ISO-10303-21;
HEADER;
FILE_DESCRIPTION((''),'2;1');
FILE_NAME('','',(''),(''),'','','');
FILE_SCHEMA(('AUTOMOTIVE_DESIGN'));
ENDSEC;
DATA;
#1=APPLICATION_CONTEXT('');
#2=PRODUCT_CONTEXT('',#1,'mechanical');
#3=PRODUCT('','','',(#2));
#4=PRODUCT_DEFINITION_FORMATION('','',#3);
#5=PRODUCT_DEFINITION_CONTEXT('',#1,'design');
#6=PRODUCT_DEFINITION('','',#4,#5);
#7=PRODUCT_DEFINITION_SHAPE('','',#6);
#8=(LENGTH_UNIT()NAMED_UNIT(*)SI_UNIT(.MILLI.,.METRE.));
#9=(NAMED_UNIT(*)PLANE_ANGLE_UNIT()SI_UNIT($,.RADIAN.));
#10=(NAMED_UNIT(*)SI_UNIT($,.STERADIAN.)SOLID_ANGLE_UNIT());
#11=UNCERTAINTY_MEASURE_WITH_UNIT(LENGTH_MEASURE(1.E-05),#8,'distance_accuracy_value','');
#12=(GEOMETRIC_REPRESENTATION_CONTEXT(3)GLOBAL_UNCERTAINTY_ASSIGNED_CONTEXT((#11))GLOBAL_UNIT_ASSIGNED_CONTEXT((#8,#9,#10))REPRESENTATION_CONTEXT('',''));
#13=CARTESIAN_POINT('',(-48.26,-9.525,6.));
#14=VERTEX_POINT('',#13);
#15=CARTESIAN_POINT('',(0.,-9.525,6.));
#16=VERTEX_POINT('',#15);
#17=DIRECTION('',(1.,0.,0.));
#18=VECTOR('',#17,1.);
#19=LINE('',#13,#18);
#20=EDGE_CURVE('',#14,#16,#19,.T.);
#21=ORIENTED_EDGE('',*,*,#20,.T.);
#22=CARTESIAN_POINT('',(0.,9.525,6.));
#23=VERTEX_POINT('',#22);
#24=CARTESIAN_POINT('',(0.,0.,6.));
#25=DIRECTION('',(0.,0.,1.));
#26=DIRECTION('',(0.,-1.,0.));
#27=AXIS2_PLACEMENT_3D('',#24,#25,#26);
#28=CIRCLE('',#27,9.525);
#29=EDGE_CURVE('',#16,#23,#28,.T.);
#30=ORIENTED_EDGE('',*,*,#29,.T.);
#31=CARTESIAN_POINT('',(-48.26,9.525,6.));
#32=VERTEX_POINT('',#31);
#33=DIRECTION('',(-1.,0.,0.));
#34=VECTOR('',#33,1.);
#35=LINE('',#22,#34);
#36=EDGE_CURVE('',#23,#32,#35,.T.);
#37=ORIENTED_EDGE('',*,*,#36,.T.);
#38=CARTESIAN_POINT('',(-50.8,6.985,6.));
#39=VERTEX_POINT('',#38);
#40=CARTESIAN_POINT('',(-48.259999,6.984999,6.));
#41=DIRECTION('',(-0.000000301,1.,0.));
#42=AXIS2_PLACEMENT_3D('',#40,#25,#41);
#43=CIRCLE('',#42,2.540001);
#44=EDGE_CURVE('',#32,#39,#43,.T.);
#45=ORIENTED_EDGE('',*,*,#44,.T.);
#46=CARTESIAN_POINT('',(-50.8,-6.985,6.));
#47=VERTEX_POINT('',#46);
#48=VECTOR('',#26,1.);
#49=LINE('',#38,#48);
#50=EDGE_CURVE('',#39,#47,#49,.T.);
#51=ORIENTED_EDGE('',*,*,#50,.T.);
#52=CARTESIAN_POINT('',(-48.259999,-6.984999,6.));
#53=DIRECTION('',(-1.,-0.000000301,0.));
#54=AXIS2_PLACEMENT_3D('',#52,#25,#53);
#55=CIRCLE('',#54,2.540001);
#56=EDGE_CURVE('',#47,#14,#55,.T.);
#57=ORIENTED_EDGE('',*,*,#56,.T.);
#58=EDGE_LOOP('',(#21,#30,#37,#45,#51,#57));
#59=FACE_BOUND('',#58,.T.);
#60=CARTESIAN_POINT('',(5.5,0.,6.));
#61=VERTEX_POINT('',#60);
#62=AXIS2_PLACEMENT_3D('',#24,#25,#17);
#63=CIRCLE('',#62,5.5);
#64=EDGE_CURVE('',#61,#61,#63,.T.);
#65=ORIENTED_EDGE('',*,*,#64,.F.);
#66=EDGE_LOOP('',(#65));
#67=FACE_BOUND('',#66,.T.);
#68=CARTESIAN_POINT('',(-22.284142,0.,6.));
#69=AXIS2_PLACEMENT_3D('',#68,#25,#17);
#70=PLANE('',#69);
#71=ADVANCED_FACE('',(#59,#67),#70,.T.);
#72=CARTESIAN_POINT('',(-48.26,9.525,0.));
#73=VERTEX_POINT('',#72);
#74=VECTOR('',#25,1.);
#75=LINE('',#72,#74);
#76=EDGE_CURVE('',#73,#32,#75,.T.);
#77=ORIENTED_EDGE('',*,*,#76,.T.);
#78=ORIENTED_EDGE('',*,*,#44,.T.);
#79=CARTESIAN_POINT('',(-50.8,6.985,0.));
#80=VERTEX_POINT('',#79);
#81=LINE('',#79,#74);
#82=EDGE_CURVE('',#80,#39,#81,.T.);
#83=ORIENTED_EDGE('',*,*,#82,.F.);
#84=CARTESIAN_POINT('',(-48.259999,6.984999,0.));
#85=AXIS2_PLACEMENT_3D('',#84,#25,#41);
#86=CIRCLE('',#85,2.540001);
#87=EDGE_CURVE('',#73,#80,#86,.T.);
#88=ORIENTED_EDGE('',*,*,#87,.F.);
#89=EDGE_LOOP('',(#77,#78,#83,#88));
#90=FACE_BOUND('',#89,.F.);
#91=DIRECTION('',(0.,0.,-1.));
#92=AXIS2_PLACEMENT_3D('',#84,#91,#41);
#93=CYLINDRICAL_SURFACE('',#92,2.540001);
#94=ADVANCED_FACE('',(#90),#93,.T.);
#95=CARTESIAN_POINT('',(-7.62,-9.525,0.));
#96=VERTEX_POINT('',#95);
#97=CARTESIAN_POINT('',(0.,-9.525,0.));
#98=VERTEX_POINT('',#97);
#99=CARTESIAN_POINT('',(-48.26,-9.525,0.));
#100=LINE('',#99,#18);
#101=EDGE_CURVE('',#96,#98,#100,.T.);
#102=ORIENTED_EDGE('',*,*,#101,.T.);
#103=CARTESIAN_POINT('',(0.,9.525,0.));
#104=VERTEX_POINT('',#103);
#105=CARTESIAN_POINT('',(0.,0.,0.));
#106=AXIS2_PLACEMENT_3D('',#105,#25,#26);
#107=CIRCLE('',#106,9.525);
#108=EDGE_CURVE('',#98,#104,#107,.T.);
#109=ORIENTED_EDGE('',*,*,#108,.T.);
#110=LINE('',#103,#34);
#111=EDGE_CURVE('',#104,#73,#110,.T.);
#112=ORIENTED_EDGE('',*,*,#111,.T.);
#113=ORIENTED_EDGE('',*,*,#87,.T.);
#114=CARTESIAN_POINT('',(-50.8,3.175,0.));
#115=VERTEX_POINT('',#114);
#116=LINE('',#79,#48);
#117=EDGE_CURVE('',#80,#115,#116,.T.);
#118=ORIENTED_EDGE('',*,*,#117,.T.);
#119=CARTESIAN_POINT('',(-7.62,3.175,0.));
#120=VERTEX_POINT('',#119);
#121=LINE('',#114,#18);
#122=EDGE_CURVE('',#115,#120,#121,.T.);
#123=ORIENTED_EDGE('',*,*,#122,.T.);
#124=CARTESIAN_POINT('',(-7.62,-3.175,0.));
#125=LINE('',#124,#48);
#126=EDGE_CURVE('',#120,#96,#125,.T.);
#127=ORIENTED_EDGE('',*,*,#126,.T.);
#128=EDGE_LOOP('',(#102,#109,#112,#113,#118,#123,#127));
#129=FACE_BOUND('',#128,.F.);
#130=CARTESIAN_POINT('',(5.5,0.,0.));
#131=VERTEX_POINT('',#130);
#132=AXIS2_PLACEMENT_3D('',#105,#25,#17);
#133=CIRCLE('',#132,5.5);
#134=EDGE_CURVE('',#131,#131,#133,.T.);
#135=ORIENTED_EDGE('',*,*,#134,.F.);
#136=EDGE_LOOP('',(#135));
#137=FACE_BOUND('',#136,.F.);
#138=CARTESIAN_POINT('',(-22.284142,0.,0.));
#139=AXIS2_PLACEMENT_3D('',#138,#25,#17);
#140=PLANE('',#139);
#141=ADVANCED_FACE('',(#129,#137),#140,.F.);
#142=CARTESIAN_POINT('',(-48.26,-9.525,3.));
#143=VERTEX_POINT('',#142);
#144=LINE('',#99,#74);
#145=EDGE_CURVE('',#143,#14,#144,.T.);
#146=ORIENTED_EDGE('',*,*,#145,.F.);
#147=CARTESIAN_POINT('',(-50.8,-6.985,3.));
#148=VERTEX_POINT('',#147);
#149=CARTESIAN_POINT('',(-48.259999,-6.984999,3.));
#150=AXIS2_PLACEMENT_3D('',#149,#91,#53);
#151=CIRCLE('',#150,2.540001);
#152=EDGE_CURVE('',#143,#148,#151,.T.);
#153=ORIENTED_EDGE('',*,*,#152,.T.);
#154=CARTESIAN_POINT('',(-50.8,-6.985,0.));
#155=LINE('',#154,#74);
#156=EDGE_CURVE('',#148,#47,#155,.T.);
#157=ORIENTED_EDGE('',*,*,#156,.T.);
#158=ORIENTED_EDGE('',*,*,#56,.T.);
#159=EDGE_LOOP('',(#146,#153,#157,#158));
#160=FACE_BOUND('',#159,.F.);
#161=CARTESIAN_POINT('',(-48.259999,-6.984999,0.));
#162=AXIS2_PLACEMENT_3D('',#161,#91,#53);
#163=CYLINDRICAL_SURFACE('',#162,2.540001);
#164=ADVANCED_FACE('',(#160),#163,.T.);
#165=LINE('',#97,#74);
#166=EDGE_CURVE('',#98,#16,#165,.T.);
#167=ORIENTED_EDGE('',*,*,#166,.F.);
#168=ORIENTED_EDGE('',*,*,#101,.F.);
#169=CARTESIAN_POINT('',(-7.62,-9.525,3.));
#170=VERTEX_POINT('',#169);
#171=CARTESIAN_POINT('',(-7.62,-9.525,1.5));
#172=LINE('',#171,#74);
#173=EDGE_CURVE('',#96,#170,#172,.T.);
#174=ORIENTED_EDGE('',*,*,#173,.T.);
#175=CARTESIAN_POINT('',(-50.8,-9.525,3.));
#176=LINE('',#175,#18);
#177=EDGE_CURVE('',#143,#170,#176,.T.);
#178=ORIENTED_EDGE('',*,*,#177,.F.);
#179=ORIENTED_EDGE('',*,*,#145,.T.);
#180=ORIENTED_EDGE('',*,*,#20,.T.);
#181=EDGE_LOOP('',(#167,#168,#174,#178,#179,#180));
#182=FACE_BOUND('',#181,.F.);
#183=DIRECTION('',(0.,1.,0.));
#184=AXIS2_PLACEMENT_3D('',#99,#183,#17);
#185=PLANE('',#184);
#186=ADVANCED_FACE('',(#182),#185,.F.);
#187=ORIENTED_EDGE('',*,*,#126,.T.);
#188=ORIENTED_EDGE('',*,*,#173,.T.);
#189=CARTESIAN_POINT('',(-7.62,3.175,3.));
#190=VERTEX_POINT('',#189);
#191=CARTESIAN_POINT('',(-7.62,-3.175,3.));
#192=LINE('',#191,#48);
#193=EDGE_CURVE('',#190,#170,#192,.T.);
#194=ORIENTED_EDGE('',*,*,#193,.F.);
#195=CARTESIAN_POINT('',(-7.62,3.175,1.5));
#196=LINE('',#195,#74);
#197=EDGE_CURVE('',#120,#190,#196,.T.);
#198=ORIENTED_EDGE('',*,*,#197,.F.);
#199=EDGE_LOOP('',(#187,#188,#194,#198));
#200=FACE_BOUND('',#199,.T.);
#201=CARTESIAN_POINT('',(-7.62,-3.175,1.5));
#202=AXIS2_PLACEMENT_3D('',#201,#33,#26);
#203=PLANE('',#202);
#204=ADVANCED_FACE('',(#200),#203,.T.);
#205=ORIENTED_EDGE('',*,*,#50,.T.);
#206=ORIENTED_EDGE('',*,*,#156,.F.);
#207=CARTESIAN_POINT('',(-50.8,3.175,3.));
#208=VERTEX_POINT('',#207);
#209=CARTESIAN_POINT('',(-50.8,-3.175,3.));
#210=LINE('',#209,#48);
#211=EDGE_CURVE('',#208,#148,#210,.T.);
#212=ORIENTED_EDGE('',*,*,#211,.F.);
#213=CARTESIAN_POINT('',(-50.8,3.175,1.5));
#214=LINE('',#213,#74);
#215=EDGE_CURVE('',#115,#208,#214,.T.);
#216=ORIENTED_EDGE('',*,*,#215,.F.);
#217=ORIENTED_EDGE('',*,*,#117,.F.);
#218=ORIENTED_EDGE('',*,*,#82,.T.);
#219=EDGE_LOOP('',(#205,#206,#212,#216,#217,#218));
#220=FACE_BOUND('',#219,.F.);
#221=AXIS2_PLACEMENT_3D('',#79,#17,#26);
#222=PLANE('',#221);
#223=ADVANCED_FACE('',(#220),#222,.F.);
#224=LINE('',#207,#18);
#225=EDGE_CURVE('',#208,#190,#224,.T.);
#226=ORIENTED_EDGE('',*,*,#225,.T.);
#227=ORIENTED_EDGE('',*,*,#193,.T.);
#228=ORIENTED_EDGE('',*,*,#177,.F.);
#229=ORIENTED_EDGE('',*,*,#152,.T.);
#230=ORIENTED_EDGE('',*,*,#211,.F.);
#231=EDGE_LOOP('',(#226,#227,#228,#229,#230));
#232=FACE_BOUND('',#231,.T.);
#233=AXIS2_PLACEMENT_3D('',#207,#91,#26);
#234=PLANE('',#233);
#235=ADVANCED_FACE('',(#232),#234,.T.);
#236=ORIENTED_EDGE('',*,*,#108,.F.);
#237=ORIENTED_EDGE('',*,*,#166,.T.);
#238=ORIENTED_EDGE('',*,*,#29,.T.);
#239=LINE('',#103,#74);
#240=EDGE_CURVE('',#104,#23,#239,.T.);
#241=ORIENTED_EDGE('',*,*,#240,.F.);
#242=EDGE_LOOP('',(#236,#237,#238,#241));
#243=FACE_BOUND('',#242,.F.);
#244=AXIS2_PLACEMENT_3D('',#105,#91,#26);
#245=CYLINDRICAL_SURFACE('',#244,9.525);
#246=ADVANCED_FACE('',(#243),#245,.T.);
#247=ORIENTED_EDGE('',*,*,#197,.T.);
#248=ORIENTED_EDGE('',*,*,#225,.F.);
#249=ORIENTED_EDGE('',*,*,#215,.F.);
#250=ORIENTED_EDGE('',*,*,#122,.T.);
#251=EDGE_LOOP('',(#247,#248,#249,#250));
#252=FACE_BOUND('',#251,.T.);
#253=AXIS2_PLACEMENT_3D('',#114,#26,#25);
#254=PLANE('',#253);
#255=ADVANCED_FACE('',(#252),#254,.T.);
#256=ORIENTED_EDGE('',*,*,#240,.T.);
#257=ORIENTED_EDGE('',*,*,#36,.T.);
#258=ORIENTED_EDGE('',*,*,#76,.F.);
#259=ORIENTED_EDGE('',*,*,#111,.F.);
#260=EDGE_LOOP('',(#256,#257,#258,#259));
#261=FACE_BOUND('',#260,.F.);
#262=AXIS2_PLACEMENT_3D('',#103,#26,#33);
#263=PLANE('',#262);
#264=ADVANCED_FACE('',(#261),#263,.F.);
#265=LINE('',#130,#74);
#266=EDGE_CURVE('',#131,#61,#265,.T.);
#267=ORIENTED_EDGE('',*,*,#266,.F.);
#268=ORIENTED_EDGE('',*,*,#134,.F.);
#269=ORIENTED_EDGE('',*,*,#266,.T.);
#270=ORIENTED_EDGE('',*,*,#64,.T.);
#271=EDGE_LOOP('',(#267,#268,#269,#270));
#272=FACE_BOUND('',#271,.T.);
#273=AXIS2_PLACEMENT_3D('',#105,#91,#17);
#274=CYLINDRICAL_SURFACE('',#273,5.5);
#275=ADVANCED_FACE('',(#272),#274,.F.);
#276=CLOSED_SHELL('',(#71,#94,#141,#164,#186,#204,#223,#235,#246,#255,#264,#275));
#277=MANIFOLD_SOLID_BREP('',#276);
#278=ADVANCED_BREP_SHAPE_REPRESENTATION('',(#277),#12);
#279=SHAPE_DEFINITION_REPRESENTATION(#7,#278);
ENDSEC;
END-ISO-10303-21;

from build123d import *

# Parameters (mm, degrees)
F0_R     = 5.5
F1_DEPTH = 6
F2_W     = 12.7
F2_H     = 3
F3_DEPTH = 43.18


with BuildPart() as f1:
    # F0 (on Top) → F1 (new body)
    with BuildSketch(Plane.XY):
        with BuildLine():
            Line((-48.26, -9.525), (0, -9.525))
            ThreePointArc((0, -9.525), (9.525, 0), (0, 9.525))
            Line((0, 9.525), (-48.26, 9.525))
            ThreePointArc((-48.26, 9.525), (-50.056051, 8.781051), (-50.8, 6.985))
            Line((-50.8, 6.985), (-50.8, -6.985))
            ThreePointArc((-50.8, -6.985), (-50.056051, -8.781051), (-48.26, -9.525))
        make_face()
        Circle(F0_R, mode=Mode.SUBTRACT)
    extrude(amount=F1_DEPTH)

    # F2 (on face) → F3 (cut)
    with BuildSketch(Plane(origin=(-50.8, 0, 0), x_dir=(0, -1, 0), z_dir=(-1, 0, 0))):
        with Locations((3.175, 1.5)):
            Rectangle(F2_W, F2_H)
    extrude(amount=-F3_DEPTH, mode=Mode.SUBTRACT)


solid = f1.part
